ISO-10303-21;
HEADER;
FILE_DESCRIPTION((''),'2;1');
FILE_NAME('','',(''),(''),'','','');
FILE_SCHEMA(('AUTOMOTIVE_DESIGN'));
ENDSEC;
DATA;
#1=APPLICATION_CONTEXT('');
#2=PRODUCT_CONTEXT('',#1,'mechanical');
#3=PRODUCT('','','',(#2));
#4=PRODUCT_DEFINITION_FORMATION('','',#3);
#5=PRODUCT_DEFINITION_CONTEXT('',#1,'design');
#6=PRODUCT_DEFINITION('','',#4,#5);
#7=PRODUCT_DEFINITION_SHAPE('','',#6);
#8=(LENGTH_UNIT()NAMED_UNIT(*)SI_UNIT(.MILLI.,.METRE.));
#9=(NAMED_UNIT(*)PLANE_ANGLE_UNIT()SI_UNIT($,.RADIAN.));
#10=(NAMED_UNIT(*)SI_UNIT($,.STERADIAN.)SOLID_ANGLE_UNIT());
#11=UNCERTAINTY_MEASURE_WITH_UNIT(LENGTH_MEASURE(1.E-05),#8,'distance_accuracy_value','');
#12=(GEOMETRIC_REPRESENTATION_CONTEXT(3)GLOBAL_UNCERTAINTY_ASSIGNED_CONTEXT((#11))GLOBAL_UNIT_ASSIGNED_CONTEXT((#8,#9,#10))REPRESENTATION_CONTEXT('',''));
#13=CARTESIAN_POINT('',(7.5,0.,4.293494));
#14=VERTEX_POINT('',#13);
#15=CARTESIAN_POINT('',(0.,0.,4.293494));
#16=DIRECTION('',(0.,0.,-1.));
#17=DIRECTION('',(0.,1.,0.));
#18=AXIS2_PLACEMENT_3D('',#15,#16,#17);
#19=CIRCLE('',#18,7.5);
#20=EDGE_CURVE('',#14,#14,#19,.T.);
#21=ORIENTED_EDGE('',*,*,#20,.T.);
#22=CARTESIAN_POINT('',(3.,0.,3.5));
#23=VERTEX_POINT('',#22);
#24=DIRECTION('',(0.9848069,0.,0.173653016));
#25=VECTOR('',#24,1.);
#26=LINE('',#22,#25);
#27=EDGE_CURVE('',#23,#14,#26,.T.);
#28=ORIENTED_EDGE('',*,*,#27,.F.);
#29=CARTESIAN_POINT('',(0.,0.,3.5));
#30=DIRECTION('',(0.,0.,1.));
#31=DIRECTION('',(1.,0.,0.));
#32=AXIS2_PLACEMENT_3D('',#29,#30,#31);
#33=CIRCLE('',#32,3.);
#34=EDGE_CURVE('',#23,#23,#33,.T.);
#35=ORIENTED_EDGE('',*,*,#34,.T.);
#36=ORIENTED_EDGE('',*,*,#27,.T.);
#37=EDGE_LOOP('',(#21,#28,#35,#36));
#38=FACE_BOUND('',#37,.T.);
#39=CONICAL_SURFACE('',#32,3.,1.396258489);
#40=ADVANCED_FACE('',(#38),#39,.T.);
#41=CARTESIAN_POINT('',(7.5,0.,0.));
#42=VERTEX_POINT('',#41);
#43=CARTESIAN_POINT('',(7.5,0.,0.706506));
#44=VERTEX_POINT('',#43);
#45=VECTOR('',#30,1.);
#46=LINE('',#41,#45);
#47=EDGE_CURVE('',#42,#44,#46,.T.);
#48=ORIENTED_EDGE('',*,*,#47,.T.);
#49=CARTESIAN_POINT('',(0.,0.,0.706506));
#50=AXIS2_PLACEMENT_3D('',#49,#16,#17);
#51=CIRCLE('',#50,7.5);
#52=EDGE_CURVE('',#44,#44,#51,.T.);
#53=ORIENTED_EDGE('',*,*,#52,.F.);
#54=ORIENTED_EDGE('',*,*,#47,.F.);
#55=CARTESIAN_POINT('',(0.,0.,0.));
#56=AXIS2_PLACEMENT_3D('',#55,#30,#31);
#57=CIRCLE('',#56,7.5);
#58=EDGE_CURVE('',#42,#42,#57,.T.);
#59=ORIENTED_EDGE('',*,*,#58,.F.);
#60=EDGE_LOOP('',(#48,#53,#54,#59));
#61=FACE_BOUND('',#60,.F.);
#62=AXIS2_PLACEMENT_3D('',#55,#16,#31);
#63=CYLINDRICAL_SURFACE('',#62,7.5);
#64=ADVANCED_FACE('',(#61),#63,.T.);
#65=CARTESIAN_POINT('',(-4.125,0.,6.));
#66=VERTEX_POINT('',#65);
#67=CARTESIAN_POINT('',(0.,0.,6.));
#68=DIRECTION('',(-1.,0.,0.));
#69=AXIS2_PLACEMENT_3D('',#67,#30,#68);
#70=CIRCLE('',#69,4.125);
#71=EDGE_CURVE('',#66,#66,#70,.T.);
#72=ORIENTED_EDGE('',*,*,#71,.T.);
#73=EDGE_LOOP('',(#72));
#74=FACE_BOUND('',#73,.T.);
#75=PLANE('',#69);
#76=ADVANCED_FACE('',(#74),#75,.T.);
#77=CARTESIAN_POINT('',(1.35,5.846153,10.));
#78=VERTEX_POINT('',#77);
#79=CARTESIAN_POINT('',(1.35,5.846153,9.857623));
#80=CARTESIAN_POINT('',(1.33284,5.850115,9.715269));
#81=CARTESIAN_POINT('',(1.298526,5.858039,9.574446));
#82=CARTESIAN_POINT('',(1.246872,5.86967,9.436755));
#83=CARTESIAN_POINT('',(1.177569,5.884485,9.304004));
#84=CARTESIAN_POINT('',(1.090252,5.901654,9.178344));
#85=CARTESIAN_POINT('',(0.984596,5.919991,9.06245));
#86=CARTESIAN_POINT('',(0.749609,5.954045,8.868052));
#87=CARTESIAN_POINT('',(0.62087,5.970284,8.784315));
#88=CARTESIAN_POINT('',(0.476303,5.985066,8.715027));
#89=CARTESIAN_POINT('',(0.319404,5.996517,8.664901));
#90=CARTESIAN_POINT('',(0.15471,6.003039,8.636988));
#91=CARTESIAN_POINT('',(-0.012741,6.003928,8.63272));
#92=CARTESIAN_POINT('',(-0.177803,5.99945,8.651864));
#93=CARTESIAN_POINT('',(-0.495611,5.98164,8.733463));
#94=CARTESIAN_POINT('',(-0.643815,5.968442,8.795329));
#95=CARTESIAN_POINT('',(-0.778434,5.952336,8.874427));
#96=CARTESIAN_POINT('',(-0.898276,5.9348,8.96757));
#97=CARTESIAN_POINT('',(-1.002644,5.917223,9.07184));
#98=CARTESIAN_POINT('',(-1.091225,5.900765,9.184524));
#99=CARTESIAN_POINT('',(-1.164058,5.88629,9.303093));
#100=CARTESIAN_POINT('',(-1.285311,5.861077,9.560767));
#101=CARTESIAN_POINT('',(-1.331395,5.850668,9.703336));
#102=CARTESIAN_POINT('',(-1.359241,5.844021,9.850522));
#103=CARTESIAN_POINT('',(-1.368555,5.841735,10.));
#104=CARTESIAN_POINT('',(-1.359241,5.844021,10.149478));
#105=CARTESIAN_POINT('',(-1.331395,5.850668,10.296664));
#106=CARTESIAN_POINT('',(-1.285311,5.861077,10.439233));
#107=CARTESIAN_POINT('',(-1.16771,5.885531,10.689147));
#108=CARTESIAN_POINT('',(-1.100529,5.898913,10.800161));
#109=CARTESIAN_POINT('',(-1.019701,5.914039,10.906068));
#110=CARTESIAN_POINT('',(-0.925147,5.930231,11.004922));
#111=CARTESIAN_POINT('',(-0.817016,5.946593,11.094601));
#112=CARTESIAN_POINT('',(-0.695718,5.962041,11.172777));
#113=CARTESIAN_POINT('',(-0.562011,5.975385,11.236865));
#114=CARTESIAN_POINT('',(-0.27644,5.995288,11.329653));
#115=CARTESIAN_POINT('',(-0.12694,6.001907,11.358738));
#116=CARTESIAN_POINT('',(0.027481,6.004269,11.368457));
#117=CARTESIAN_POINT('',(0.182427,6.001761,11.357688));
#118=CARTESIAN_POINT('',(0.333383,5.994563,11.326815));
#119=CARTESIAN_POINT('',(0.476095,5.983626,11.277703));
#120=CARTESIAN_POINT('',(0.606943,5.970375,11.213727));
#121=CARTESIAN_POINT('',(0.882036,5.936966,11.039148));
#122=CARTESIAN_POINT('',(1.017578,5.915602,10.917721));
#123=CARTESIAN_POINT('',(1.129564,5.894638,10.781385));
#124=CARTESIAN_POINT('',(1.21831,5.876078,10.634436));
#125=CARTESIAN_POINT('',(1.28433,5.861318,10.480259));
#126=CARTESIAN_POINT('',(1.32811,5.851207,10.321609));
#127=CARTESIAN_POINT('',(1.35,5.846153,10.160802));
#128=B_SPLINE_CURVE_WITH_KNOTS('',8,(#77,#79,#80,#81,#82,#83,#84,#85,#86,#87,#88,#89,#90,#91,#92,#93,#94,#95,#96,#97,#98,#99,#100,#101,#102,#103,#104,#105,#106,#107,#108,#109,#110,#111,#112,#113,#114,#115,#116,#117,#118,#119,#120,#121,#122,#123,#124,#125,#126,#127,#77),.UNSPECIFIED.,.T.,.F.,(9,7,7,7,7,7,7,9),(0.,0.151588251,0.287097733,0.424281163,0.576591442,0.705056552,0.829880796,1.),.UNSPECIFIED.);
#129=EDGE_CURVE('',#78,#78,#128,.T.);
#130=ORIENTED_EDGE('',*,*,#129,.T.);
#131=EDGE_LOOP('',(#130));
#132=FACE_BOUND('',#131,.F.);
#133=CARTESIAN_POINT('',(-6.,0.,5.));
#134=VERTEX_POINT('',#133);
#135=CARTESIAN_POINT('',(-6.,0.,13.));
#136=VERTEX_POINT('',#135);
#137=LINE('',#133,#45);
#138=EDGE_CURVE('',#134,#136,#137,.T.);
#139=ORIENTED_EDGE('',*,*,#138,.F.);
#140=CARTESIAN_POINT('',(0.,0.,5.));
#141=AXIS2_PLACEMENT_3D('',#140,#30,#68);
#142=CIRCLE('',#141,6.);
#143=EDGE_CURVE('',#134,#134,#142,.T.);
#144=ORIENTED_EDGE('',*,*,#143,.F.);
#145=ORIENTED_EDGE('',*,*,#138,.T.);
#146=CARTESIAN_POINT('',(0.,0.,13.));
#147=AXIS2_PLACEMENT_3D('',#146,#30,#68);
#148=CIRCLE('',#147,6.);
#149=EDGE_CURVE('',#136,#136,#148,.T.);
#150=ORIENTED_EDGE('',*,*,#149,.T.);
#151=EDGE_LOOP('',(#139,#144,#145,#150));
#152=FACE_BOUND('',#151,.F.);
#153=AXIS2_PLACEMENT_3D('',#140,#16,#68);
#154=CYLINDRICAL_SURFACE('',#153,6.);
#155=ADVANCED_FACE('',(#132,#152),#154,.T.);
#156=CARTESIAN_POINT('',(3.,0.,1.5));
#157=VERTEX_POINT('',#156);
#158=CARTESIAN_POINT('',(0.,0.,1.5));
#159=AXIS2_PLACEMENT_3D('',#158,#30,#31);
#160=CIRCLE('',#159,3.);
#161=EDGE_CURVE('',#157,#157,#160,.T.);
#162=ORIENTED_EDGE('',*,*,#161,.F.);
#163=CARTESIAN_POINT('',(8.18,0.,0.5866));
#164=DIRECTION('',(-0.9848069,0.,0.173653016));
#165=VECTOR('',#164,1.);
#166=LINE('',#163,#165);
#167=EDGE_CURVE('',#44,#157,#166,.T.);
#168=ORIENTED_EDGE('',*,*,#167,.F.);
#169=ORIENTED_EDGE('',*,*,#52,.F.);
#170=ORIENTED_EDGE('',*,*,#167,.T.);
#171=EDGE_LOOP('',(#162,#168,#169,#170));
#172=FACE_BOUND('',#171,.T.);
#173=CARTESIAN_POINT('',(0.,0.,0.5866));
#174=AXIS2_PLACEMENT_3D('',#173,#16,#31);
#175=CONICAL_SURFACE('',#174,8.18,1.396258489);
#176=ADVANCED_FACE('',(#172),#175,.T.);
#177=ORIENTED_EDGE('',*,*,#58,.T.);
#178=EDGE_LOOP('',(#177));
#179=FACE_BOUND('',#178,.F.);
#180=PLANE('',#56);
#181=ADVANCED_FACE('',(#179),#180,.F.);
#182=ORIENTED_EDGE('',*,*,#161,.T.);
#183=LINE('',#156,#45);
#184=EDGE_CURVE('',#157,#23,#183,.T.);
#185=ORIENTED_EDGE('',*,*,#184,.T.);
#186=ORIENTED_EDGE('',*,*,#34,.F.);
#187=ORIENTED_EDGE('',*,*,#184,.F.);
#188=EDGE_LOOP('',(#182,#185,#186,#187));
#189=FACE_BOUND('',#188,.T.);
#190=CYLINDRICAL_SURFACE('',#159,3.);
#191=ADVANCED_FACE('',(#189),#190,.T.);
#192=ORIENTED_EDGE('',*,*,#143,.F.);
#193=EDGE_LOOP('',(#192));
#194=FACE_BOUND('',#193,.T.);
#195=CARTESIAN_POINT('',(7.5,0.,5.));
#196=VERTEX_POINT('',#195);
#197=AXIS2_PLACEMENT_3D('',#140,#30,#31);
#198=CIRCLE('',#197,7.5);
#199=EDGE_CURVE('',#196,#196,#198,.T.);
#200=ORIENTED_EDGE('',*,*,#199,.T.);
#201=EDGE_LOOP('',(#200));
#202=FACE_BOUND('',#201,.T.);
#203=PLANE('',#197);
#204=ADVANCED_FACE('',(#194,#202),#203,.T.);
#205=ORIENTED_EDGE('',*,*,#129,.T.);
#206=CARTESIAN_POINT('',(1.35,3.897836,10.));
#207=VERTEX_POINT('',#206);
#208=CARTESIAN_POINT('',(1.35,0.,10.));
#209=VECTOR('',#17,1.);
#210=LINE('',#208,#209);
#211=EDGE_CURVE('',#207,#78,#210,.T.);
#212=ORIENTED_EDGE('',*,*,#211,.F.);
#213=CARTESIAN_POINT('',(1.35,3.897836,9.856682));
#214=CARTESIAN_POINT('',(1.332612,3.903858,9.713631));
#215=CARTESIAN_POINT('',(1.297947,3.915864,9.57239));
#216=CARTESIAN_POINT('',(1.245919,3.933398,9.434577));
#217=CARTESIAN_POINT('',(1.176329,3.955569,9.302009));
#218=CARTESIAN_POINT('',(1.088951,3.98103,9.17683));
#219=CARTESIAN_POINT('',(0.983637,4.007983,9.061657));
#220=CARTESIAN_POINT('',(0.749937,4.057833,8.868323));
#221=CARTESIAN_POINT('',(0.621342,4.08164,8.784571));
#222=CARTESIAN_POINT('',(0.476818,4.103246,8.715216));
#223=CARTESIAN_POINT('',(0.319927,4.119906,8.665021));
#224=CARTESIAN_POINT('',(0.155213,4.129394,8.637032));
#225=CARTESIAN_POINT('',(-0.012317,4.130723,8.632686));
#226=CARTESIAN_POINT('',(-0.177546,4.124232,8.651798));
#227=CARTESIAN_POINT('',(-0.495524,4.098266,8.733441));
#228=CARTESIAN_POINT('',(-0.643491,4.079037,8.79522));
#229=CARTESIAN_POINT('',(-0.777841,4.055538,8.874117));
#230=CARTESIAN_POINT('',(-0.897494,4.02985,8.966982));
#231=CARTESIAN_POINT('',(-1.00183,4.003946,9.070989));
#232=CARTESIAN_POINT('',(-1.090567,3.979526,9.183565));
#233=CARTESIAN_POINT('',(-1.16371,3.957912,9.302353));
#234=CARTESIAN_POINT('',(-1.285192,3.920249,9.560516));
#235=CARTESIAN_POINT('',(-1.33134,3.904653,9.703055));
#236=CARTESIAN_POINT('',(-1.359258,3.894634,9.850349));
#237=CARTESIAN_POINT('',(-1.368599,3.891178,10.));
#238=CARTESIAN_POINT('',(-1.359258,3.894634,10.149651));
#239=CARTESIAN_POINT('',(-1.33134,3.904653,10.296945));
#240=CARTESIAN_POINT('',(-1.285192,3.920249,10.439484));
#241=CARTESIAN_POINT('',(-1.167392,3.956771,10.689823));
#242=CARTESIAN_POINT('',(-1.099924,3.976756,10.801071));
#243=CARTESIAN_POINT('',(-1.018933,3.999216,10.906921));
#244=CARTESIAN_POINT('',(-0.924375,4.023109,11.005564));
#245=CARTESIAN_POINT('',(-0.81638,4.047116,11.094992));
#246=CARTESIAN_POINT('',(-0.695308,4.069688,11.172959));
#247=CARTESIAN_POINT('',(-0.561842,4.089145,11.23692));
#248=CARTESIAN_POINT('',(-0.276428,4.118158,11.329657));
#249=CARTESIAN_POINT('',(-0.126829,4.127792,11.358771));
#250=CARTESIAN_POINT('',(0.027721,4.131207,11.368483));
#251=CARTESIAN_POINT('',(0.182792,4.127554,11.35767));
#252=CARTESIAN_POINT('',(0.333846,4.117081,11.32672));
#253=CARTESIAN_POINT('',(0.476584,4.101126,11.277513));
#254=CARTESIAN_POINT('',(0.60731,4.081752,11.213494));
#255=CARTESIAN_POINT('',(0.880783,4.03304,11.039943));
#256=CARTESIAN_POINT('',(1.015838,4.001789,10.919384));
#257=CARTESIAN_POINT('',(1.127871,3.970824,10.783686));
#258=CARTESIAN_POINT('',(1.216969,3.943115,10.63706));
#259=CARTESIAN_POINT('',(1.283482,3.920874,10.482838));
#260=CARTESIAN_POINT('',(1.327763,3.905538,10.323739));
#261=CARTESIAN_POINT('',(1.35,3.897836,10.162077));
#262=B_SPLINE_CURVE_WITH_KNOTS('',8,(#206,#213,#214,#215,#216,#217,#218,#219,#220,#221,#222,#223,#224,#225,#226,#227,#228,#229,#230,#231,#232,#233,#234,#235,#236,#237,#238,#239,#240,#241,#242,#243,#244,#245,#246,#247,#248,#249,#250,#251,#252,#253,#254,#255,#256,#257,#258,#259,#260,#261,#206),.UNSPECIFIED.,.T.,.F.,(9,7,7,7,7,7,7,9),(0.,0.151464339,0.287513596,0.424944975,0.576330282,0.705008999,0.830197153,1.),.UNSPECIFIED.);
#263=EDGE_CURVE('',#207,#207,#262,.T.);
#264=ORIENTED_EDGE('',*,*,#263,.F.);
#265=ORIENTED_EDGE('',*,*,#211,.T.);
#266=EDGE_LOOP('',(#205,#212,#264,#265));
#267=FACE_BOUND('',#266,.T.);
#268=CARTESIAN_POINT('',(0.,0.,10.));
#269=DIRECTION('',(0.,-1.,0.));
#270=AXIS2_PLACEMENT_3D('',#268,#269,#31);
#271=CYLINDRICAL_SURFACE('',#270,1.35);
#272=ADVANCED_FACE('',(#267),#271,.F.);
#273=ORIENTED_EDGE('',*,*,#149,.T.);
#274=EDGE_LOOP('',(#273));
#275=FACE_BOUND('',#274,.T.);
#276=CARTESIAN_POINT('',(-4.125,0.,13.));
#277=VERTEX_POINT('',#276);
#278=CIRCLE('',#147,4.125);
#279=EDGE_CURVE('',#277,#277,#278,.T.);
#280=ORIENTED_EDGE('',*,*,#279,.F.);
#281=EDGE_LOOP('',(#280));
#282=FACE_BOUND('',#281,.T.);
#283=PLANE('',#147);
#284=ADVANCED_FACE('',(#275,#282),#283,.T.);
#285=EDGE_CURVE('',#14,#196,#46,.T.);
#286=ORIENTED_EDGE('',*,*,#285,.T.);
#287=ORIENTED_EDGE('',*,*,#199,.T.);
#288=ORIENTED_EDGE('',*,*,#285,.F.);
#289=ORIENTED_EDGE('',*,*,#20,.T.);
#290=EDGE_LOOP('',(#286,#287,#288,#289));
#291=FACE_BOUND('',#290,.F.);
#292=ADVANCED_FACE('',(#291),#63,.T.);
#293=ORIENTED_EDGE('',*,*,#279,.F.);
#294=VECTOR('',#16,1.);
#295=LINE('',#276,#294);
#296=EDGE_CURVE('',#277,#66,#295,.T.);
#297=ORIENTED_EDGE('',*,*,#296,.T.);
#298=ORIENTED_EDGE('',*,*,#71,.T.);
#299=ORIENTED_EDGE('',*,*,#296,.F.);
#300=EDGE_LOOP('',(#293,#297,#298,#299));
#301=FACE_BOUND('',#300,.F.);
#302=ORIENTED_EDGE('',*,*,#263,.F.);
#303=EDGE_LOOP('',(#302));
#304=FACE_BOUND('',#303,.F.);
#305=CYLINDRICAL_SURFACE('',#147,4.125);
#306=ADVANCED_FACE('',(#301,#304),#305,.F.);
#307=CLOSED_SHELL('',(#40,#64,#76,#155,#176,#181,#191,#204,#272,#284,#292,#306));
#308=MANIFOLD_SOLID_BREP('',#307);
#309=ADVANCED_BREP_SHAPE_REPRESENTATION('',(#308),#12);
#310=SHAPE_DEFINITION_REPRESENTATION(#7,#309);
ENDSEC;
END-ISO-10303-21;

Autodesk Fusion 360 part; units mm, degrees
sketch "Esquisse1" plane through (0, 0, 0) normal (0, 0, 1) x (1, 0, 0)
  circle A0 centre (0, 0) radius 7.5
  dimension "d1" = 15
extrude "Extrusion1" add sketch "Esquisse1" along normal blind 5
sketch "Esquisse2" plane through (0, 0, 0) normal (0, 1, 0) x (1, 0, 0)
sketch "Esquisse3" plane through (0, 0, 0) normal (0, 1, 0) x (1, 0, 0)
  line L0 (3, -3.5) -> (8.18, -4.4134)
  line L1 (8.18, -4.4134) -> (8.18, -0.5866)
  line L2 (8.18, -0.5866) -> (3, -1.5)
  line L3 (3, -1.5) -> (3, -3.5)
  line L4 (0, -1.75) -> (0, -22.5)
  dimension "d4" = 2
  dimension "d6" = 1.5
  dimension "d7" = 100
  dimension "d8" = 100
  dimension "d9" = 3
revolve "Révolution1" cut sketch "Esquisse3" angle 360 about axis through (0, 0, 1.75) along (0, 0, 1)
sketch "Esquisse4" plane through (0, 0, 5) normal (0, 0, 1) x (-1, 0, 0)
  circle A0 centre (0, 0) radius 7.5
  circle A1 centre (0, 0) radius 6
  dimension "d11" = 12
extrude "Extrusion2" add sketch "Esquisse4" along normal blind 8 contours A1
sketch "Esquisse5" plane through (0, 0, 13) normal (0, 0, 1) x (-1, 0, 0)
  circle A0 centre (0, 0) radius 6
  circle A1 centre (0, 0) radius 4.125
  dimension "d14" = 8.25
sketch "Esquisse6" plane through (0, 0, 13) normal (0, 0, 1) x (1, 0, 0)
extrude "Extrusion3" cut sketch "Esquisse5" against normal blind 7 contours A1
sketch "Esquisse7" plane through (0, 0, 0) normal (0, 1, 0) x (1, 0, 0)
  circle A0 centre (0, -10) radius 1.35
  line L0 (-6, -13) -> (6, -13)
  dimension "d17" = 2.7
  dimension "d18" = 3
extrude "Extrusion4" cut sketch "Esquisse7" along normal blind 15.5
